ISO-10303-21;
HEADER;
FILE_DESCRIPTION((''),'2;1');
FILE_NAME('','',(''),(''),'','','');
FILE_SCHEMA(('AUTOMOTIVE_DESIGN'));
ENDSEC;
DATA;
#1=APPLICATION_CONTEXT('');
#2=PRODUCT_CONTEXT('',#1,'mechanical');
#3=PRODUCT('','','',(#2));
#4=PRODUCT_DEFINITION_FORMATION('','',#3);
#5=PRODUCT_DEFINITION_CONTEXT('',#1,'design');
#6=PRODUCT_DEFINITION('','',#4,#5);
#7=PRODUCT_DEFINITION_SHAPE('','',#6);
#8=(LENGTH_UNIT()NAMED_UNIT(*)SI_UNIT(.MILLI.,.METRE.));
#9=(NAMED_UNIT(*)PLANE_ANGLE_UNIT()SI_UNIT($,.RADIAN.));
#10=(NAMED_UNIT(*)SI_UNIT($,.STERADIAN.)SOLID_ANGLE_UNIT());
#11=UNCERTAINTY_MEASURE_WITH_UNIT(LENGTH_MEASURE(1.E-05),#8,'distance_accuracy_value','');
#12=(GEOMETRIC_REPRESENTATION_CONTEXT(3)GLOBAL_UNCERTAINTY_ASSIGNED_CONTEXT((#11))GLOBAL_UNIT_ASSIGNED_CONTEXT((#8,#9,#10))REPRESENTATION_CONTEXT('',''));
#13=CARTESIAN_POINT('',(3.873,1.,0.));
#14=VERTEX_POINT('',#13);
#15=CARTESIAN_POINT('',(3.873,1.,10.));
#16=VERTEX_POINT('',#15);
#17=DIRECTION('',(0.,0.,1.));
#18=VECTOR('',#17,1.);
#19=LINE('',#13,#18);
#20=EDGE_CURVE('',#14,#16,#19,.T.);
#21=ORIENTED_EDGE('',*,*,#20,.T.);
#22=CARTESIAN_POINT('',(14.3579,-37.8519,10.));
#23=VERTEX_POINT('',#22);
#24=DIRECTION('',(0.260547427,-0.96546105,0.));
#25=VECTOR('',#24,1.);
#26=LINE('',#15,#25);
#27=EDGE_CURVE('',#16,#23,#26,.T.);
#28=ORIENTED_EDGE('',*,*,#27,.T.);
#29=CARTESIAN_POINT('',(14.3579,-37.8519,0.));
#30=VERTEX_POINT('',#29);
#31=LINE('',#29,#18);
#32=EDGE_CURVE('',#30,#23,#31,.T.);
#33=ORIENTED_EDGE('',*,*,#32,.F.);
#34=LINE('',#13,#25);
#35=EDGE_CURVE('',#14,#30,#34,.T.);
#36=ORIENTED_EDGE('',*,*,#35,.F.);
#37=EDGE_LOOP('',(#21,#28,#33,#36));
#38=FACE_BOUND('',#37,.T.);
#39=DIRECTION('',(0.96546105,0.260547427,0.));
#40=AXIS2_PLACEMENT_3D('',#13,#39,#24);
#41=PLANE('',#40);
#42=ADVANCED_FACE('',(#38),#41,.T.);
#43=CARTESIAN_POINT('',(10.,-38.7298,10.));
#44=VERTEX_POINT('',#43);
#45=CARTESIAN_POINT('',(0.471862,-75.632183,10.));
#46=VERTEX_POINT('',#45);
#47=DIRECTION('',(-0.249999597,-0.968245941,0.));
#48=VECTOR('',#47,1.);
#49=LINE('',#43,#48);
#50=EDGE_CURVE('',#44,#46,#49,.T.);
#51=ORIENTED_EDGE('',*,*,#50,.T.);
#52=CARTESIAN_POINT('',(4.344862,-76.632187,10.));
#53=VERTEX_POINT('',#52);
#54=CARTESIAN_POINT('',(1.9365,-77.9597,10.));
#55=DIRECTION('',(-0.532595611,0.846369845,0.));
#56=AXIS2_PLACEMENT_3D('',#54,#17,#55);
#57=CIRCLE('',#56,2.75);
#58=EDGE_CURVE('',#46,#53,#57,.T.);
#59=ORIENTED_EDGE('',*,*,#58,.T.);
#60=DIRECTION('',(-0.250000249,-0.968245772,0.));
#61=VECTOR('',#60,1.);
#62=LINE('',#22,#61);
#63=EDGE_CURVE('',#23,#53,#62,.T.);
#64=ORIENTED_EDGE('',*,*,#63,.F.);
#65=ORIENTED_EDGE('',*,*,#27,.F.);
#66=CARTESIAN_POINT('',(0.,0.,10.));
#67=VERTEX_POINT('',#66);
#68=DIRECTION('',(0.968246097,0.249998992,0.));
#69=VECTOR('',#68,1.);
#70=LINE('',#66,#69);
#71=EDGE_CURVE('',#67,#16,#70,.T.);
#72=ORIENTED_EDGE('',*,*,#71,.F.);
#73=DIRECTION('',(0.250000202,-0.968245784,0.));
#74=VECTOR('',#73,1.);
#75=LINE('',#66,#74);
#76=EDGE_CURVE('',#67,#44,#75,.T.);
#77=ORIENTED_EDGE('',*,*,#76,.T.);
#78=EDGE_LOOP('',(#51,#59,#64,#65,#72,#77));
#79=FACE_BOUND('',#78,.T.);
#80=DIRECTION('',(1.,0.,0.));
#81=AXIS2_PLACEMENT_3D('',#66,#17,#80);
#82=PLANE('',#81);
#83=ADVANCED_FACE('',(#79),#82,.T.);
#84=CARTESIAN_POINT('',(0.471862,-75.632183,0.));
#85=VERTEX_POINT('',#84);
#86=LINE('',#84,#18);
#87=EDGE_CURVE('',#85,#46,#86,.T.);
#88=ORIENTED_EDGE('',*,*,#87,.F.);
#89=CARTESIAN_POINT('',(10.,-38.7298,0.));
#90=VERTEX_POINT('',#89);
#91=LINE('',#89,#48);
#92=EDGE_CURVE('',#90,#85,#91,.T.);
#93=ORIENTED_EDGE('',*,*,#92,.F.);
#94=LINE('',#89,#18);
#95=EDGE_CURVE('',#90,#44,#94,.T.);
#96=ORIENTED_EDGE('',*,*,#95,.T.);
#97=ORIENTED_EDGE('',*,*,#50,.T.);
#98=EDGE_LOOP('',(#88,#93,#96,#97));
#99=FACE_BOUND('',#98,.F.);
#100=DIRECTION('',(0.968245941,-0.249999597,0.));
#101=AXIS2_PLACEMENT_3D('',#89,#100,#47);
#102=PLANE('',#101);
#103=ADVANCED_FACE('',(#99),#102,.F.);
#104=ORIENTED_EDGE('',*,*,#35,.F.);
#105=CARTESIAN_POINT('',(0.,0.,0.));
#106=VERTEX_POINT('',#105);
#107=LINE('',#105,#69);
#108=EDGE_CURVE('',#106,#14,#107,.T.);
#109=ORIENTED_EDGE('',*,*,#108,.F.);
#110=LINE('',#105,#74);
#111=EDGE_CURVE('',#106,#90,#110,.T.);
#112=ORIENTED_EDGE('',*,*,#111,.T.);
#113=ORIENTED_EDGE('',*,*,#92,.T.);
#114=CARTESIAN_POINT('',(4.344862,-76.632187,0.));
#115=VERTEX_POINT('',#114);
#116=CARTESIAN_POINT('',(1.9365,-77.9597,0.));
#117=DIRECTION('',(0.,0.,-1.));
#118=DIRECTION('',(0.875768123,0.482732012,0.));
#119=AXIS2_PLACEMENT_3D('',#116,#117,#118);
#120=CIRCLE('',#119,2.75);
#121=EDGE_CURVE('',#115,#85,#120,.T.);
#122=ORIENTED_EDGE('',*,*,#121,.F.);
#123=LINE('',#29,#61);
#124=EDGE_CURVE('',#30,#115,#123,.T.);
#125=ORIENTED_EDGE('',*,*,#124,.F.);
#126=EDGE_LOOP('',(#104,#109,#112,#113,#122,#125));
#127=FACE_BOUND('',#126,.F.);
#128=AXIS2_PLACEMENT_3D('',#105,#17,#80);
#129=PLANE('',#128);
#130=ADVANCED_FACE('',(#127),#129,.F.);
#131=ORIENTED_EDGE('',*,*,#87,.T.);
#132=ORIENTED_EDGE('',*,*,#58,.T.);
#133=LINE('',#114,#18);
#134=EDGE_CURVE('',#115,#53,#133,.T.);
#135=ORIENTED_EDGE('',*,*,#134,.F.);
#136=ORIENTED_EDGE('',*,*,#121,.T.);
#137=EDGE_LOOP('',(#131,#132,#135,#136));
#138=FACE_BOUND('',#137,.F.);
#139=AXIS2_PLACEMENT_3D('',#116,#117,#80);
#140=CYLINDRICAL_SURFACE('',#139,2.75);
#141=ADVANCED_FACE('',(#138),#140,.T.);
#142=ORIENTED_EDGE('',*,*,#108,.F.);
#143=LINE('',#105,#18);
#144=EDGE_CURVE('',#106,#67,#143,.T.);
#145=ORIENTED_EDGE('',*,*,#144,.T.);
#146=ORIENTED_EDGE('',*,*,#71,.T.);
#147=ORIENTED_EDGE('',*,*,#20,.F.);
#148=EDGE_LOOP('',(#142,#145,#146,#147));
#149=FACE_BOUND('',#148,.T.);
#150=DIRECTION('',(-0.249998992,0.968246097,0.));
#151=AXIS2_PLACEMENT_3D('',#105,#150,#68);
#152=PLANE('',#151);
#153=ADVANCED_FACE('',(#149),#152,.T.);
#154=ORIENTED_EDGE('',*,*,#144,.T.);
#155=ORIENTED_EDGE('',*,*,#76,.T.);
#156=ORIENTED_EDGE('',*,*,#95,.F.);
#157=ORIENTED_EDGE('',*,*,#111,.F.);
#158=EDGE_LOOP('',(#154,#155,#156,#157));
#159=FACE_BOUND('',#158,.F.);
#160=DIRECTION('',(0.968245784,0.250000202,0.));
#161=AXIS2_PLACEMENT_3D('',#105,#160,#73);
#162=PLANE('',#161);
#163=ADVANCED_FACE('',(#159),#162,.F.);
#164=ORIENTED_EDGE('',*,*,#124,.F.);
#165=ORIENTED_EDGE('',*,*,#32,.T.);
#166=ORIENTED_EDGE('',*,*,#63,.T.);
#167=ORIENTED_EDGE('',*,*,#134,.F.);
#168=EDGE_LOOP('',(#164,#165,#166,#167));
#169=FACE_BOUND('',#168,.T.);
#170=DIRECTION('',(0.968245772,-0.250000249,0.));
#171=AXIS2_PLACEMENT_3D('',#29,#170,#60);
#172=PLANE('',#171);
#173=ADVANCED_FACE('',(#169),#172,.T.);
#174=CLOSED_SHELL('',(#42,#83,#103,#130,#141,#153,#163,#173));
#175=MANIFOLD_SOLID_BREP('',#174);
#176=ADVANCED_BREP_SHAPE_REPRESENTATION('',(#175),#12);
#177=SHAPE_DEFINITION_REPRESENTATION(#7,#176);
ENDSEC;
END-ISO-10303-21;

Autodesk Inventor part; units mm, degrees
ref_plane "YZ Plane" through (0, 0, 0) normal (1, 0, 0) x (0, 1, 0)
ref_plane "XZ Plane" through (0, 0, 0) normal (0, 1, 0) x (-1, 0, 0)
ref_plane "XY Plane" through (0, 0, 0) normal (0, 0, 1) x (1, 0, 0)
sketch "Sketch1 - gripper" plane through (0, 0, 0) normal (0, 0, 1) x (1, 0, 0)
  line L0 (0, 0) -> (10, -38.7298)
  line L1 (10, -38.7298) -> (0, -38.7298) construction
  line L2 (10, -38.7298) -> (0, -77.4597)
  line L3 (0, 0) -> (3.873, 1)
  line L4 (3.873, 1) -> (14.3579, -37.8519)
  line L5 (14.3579, -37.8519) -> (3.873, -78.4597)
  line L6 (3.873, -78.4597) -> (0, -77.4597)
  circle A0 centre (1.9365, -77.9597) radius 2.75
  point P0 (0.4719, -75.6321)
  point P1 (4.3448, -76.6321)
  dimension "d16" = 40
  dimension "d17" = 40
  dimension "d18" = 4
  dimension "d19" = 5.5
extrude "Extrusion1" add sketch "Sketch1 - gripper" along normal blind 10
properties part number "arm1"
